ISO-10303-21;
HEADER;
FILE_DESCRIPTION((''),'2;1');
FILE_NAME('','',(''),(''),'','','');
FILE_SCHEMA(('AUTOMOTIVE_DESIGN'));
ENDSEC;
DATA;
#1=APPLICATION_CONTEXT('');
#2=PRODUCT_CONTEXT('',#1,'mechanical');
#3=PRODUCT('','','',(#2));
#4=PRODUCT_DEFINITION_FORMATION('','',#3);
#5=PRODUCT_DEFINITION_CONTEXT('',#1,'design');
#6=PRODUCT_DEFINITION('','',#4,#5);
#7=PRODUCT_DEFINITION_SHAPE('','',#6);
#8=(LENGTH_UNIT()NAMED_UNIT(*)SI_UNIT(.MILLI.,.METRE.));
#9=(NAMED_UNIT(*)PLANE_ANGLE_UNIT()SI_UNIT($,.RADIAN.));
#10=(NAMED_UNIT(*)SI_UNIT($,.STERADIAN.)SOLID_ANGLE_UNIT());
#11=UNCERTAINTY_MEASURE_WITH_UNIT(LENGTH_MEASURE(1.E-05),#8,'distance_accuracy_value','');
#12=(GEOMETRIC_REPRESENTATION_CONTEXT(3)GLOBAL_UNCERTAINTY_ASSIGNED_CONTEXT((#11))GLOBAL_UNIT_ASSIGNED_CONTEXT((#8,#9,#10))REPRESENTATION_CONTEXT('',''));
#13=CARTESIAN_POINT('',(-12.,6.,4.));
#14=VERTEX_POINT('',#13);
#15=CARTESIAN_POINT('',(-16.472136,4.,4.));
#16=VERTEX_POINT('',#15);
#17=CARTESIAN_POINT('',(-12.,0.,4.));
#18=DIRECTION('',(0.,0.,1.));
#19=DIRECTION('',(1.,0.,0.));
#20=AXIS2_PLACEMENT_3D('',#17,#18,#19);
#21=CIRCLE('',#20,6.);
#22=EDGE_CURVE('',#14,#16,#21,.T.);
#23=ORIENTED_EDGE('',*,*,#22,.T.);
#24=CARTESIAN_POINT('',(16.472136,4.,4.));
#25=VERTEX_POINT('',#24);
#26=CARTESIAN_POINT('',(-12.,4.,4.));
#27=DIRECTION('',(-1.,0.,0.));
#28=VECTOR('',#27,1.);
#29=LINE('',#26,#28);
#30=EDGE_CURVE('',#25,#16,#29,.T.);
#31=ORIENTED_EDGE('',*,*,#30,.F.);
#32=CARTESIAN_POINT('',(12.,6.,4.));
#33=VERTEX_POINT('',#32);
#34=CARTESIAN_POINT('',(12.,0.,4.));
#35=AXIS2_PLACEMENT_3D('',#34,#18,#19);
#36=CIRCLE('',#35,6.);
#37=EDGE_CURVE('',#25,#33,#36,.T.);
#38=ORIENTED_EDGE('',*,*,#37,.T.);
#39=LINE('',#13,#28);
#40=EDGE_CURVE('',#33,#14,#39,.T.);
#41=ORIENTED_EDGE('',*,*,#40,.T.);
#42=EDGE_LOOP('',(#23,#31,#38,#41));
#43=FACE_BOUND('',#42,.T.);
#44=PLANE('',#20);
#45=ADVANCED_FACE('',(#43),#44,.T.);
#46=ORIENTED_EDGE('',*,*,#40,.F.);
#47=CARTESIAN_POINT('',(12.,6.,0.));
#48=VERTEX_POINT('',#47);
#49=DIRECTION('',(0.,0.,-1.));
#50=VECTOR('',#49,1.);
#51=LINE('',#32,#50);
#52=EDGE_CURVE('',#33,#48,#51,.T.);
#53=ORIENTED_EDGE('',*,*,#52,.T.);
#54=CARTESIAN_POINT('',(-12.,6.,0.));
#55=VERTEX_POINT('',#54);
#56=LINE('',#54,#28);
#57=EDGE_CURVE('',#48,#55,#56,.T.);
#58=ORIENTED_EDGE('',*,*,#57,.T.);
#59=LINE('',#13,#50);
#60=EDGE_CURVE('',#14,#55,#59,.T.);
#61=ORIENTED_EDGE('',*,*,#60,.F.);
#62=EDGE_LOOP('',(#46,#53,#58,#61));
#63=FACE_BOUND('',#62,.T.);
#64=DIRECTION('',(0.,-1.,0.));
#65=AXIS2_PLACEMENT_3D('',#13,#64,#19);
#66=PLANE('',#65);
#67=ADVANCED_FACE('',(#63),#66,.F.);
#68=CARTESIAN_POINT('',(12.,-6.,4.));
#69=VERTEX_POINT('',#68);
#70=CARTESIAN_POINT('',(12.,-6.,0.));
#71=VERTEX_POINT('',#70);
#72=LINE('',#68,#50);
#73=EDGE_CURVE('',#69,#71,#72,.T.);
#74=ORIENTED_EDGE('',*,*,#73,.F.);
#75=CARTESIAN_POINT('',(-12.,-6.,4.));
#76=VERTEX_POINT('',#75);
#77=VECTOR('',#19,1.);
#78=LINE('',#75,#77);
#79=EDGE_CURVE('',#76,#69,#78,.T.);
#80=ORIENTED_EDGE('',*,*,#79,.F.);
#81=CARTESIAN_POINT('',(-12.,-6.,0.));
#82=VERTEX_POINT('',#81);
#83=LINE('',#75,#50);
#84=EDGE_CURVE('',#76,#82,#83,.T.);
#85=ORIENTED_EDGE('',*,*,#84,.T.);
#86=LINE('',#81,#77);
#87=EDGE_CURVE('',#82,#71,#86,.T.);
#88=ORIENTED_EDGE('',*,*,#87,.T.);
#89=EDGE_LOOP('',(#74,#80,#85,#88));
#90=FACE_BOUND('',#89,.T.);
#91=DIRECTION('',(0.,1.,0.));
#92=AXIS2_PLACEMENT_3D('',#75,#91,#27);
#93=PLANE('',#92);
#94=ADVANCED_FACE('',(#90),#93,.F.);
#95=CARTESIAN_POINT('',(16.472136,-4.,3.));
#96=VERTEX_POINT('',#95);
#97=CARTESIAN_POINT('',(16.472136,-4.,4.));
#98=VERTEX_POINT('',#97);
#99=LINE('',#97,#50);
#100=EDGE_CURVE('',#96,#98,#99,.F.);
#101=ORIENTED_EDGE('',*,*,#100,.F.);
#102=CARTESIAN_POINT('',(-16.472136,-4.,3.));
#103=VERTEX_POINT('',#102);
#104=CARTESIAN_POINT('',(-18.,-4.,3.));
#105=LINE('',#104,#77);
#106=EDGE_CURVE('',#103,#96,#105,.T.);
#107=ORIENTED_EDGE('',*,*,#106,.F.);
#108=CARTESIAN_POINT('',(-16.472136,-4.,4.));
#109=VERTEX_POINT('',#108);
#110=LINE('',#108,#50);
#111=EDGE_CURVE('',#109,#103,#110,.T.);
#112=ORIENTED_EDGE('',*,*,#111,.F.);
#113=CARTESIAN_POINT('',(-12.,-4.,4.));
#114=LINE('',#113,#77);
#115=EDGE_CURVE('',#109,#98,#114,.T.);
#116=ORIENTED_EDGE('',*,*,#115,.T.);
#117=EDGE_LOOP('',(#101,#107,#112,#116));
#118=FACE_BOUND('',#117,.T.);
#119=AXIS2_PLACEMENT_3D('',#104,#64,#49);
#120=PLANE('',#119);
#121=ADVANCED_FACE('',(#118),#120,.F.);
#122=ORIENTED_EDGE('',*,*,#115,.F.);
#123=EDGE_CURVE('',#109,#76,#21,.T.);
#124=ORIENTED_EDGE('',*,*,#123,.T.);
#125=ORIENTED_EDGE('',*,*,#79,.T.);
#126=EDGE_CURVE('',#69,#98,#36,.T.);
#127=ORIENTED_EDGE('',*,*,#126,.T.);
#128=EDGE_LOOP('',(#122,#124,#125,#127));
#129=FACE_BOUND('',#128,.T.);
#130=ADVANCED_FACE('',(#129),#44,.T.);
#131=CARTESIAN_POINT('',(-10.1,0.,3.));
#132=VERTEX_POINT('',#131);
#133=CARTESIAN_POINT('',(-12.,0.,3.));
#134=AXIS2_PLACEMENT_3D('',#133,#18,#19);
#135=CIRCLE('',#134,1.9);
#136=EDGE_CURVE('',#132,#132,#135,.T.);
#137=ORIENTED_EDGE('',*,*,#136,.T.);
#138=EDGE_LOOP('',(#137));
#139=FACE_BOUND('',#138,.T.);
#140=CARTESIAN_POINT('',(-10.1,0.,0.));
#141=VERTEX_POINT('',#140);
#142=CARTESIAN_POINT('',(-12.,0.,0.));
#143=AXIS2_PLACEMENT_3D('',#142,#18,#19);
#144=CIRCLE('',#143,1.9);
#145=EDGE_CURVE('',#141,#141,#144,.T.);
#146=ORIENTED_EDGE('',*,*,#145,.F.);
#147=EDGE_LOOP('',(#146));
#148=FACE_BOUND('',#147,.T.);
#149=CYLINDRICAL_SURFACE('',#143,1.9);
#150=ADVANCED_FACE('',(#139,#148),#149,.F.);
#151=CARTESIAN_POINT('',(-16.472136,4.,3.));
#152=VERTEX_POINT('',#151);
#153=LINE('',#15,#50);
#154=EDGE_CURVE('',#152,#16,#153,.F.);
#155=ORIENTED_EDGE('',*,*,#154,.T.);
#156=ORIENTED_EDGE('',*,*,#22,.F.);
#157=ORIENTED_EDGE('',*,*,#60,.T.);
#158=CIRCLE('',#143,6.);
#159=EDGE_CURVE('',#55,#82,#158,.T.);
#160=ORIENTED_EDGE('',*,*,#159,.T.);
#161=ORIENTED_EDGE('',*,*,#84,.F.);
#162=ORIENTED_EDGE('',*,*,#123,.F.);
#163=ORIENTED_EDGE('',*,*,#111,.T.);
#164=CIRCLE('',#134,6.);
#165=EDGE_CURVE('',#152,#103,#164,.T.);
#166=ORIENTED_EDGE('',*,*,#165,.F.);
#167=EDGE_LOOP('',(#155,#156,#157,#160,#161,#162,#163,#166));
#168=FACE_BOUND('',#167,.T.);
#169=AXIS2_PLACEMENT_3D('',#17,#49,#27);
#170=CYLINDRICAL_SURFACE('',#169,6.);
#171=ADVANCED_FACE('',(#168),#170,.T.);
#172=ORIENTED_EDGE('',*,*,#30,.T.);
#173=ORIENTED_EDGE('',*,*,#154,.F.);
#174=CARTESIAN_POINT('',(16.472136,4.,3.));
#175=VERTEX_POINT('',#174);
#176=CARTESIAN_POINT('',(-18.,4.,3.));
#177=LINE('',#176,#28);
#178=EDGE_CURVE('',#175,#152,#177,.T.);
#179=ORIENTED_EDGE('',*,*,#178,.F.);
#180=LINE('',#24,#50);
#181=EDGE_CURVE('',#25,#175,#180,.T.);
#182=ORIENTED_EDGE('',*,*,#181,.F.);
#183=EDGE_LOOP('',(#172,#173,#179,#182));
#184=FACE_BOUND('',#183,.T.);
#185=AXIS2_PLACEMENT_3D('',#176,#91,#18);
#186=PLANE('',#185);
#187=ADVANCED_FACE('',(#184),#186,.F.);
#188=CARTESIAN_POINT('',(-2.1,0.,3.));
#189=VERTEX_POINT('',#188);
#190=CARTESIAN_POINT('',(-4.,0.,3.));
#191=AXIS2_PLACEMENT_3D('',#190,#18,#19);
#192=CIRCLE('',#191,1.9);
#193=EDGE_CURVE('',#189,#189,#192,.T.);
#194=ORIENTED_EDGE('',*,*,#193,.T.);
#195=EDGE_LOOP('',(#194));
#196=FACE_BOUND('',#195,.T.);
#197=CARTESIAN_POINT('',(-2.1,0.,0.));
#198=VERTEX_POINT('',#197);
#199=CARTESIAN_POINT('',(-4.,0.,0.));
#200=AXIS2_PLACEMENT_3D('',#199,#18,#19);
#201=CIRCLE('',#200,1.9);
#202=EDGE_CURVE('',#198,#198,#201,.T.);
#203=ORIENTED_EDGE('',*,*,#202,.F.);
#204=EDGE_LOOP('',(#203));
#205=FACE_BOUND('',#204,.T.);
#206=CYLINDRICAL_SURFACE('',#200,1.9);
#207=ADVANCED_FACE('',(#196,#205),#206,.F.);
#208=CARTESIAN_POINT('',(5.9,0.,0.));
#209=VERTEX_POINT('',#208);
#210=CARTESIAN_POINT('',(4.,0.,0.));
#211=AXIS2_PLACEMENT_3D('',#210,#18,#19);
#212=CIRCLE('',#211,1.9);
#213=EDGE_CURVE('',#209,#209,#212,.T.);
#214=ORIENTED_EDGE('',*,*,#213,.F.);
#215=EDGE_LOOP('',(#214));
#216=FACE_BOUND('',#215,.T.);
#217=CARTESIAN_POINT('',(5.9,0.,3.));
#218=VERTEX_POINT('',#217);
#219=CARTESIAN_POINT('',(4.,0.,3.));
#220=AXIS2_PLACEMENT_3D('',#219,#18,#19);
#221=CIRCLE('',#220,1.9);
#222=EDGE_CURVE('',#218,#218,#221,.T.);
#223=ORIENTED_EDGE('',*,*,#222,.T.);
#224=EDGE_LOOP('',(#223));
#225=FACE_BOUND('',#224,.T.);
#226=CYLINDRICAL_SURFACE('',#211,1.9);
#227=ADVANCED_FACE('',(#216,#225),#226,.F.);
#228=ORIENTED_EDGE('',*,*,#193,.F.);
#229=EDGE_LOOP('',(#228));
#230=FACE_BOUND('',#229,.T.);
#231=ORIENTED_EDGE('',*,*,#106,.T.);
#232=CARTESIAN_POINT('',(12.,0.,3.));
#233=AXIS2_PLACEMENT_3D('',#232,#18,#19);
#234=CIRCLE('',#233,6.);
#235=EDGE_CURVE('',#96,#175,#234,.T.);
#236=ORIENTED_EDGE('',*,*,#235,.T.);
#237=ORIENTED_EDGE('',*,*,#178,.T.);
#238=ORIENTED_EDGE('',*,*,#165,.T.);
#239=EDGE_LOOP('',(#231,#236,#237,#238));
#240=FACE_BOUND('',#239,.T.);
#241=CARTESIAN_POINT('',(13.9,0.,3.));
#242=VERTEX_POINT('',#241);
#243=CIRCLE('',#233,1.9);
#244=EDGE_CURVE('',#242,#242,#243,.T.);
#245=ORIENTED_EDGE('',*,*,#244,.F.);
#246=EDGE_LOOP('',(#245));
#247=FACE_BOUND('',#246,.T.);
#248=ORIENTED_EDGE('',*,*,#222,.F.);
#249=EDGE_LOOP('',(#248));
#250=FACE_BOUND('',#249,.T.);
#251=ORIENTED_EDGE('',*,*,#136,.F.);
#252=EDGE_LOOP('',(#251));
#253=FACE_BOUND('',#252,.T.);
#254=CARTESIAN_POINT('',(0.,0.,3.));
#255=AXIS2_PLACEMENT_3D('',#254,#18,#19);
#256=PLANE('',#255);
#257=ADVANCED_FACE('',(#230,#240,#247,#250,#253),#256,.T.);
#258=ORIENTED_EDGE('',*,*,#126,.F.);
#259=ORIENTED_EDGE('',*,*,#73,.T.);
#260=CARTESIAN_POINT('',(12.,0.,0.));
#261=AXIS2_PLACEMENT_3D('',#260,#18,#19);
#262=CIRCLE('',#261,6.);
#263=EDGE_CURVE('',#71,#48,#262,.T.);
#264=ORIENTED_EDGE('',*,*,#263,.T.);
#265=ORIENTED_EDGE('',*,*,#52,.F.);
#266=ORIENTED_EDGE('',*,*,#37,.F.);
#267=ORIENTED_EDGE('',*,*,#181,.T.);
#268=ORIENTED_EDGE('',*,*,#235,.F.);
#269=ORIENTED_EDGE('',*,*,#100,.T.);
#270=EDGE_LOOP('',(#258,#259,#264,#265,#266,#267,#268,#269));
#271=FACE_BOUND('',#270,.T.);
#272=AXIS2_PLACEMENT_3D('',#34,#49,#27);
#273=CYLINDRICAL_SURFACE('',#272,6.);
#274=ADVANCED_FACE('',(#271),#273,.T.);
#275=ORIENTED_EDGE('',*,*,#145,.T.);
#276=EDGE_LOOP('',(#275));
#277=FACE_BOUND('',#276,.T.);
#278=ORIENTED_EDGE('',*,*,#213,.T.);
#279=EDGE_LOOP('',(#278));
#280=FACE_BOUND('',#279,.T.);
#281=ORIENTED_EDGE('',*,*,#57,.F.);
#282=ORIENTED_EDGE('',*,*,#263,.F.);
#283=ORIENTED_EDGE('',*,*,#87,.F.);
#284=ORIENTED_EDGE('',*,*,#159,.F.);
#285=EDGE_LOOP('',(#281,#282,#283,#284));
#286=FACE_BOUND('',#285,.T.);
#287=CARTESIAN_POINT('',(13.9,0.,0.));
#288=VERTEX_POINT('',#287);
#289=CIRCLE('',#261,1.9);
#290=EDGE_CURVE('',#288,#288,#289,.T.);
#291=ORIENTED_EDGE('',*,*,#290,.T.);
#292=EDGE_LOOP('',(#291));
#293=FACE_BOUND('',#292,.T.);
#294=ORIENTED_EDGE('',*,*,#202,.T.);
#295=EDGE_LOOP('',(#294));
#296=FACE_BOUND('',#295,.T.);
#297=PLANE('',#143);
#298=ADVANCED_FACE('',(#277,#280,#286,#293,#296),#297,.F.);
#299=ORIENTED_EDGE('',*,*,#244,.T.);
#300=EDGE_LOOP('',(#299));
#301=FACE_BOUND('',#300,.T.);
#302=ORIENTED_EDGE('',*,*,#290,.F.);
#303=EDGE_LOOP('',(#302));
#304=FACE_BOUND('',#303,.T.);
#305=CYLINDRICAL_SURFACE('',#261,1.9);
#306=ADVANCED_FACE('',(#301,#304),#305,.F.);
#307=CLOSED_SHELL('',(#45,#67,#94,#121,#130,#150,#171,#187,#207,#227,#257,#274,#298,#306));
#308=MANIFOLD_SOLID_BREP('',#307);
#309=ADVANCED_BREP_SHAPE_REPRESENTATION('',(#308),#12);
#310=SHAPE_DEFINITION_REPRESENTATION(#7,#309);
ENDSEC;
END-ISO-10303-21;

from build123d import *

# Parameters (mm, degrees)
EXTRUDE_1_DEPTH        = 4
SKETCH_2_W             = 36
SKETCH_2_H             = 8
CUT_EXTRUDE_1_DEPTH    = 1
SKETCH_3_R             = 1.9
CUT_EXTRUDE_2_DEPTH    = 3
PATTERN_LINEAR_1_COUNT = 5
PATTERN_LINEAR_1_PITCH = 8


with BuildPart() as part:
    # 草图1 → 凸台-拉伸1 (new body)
    with BuildSketch(Plane.XY):
        with BuildLine():
            Line((-12, 6), (12, 6))
            ThreePointArc((12, 6), (18, 0), (12, -6))
            Line((12, -6), (-12, -6))
            ThreePointArc((-12, -6), (-18, 0), (-12, 6))
        make_face()
    extrude(amount=EXTRUDE_1_DEPTH)

    # 草图2 → 切除-拉伸1 (cut)
    with BuildSketch(Plane.XY.offset(4)):
        Rectangle(SKETCH_2_W, SKETCH_2_H)
    extrude(amount=-CUT_EXTRUDE_1_DEPTH, mode=Mode.SUBTRACT)

    # 草图3 → 切除-拉伸2 (cut)
    with BuildSketch(Plane.XY.offset(3)):
        with Locations((-12, 0)):
            Circle(SKETCH_3_R)
    cut_extrude_2 = extrude(amount=-CUT_EXTRUDE_2_DEPTH, mode=Mode.SUBTRACT)

    # 阵列(线性)1: 切除-拉伸2 ×5
    with Locations(*[(i * PATTERN_LINEAR_1_PITCH, 0, 0) for i in range(1, PATTERN_LINEAR_1_COUNT)]):
        add(cut_extrude_2, mode=Mode.SUBTRACT)


solid = part.part
